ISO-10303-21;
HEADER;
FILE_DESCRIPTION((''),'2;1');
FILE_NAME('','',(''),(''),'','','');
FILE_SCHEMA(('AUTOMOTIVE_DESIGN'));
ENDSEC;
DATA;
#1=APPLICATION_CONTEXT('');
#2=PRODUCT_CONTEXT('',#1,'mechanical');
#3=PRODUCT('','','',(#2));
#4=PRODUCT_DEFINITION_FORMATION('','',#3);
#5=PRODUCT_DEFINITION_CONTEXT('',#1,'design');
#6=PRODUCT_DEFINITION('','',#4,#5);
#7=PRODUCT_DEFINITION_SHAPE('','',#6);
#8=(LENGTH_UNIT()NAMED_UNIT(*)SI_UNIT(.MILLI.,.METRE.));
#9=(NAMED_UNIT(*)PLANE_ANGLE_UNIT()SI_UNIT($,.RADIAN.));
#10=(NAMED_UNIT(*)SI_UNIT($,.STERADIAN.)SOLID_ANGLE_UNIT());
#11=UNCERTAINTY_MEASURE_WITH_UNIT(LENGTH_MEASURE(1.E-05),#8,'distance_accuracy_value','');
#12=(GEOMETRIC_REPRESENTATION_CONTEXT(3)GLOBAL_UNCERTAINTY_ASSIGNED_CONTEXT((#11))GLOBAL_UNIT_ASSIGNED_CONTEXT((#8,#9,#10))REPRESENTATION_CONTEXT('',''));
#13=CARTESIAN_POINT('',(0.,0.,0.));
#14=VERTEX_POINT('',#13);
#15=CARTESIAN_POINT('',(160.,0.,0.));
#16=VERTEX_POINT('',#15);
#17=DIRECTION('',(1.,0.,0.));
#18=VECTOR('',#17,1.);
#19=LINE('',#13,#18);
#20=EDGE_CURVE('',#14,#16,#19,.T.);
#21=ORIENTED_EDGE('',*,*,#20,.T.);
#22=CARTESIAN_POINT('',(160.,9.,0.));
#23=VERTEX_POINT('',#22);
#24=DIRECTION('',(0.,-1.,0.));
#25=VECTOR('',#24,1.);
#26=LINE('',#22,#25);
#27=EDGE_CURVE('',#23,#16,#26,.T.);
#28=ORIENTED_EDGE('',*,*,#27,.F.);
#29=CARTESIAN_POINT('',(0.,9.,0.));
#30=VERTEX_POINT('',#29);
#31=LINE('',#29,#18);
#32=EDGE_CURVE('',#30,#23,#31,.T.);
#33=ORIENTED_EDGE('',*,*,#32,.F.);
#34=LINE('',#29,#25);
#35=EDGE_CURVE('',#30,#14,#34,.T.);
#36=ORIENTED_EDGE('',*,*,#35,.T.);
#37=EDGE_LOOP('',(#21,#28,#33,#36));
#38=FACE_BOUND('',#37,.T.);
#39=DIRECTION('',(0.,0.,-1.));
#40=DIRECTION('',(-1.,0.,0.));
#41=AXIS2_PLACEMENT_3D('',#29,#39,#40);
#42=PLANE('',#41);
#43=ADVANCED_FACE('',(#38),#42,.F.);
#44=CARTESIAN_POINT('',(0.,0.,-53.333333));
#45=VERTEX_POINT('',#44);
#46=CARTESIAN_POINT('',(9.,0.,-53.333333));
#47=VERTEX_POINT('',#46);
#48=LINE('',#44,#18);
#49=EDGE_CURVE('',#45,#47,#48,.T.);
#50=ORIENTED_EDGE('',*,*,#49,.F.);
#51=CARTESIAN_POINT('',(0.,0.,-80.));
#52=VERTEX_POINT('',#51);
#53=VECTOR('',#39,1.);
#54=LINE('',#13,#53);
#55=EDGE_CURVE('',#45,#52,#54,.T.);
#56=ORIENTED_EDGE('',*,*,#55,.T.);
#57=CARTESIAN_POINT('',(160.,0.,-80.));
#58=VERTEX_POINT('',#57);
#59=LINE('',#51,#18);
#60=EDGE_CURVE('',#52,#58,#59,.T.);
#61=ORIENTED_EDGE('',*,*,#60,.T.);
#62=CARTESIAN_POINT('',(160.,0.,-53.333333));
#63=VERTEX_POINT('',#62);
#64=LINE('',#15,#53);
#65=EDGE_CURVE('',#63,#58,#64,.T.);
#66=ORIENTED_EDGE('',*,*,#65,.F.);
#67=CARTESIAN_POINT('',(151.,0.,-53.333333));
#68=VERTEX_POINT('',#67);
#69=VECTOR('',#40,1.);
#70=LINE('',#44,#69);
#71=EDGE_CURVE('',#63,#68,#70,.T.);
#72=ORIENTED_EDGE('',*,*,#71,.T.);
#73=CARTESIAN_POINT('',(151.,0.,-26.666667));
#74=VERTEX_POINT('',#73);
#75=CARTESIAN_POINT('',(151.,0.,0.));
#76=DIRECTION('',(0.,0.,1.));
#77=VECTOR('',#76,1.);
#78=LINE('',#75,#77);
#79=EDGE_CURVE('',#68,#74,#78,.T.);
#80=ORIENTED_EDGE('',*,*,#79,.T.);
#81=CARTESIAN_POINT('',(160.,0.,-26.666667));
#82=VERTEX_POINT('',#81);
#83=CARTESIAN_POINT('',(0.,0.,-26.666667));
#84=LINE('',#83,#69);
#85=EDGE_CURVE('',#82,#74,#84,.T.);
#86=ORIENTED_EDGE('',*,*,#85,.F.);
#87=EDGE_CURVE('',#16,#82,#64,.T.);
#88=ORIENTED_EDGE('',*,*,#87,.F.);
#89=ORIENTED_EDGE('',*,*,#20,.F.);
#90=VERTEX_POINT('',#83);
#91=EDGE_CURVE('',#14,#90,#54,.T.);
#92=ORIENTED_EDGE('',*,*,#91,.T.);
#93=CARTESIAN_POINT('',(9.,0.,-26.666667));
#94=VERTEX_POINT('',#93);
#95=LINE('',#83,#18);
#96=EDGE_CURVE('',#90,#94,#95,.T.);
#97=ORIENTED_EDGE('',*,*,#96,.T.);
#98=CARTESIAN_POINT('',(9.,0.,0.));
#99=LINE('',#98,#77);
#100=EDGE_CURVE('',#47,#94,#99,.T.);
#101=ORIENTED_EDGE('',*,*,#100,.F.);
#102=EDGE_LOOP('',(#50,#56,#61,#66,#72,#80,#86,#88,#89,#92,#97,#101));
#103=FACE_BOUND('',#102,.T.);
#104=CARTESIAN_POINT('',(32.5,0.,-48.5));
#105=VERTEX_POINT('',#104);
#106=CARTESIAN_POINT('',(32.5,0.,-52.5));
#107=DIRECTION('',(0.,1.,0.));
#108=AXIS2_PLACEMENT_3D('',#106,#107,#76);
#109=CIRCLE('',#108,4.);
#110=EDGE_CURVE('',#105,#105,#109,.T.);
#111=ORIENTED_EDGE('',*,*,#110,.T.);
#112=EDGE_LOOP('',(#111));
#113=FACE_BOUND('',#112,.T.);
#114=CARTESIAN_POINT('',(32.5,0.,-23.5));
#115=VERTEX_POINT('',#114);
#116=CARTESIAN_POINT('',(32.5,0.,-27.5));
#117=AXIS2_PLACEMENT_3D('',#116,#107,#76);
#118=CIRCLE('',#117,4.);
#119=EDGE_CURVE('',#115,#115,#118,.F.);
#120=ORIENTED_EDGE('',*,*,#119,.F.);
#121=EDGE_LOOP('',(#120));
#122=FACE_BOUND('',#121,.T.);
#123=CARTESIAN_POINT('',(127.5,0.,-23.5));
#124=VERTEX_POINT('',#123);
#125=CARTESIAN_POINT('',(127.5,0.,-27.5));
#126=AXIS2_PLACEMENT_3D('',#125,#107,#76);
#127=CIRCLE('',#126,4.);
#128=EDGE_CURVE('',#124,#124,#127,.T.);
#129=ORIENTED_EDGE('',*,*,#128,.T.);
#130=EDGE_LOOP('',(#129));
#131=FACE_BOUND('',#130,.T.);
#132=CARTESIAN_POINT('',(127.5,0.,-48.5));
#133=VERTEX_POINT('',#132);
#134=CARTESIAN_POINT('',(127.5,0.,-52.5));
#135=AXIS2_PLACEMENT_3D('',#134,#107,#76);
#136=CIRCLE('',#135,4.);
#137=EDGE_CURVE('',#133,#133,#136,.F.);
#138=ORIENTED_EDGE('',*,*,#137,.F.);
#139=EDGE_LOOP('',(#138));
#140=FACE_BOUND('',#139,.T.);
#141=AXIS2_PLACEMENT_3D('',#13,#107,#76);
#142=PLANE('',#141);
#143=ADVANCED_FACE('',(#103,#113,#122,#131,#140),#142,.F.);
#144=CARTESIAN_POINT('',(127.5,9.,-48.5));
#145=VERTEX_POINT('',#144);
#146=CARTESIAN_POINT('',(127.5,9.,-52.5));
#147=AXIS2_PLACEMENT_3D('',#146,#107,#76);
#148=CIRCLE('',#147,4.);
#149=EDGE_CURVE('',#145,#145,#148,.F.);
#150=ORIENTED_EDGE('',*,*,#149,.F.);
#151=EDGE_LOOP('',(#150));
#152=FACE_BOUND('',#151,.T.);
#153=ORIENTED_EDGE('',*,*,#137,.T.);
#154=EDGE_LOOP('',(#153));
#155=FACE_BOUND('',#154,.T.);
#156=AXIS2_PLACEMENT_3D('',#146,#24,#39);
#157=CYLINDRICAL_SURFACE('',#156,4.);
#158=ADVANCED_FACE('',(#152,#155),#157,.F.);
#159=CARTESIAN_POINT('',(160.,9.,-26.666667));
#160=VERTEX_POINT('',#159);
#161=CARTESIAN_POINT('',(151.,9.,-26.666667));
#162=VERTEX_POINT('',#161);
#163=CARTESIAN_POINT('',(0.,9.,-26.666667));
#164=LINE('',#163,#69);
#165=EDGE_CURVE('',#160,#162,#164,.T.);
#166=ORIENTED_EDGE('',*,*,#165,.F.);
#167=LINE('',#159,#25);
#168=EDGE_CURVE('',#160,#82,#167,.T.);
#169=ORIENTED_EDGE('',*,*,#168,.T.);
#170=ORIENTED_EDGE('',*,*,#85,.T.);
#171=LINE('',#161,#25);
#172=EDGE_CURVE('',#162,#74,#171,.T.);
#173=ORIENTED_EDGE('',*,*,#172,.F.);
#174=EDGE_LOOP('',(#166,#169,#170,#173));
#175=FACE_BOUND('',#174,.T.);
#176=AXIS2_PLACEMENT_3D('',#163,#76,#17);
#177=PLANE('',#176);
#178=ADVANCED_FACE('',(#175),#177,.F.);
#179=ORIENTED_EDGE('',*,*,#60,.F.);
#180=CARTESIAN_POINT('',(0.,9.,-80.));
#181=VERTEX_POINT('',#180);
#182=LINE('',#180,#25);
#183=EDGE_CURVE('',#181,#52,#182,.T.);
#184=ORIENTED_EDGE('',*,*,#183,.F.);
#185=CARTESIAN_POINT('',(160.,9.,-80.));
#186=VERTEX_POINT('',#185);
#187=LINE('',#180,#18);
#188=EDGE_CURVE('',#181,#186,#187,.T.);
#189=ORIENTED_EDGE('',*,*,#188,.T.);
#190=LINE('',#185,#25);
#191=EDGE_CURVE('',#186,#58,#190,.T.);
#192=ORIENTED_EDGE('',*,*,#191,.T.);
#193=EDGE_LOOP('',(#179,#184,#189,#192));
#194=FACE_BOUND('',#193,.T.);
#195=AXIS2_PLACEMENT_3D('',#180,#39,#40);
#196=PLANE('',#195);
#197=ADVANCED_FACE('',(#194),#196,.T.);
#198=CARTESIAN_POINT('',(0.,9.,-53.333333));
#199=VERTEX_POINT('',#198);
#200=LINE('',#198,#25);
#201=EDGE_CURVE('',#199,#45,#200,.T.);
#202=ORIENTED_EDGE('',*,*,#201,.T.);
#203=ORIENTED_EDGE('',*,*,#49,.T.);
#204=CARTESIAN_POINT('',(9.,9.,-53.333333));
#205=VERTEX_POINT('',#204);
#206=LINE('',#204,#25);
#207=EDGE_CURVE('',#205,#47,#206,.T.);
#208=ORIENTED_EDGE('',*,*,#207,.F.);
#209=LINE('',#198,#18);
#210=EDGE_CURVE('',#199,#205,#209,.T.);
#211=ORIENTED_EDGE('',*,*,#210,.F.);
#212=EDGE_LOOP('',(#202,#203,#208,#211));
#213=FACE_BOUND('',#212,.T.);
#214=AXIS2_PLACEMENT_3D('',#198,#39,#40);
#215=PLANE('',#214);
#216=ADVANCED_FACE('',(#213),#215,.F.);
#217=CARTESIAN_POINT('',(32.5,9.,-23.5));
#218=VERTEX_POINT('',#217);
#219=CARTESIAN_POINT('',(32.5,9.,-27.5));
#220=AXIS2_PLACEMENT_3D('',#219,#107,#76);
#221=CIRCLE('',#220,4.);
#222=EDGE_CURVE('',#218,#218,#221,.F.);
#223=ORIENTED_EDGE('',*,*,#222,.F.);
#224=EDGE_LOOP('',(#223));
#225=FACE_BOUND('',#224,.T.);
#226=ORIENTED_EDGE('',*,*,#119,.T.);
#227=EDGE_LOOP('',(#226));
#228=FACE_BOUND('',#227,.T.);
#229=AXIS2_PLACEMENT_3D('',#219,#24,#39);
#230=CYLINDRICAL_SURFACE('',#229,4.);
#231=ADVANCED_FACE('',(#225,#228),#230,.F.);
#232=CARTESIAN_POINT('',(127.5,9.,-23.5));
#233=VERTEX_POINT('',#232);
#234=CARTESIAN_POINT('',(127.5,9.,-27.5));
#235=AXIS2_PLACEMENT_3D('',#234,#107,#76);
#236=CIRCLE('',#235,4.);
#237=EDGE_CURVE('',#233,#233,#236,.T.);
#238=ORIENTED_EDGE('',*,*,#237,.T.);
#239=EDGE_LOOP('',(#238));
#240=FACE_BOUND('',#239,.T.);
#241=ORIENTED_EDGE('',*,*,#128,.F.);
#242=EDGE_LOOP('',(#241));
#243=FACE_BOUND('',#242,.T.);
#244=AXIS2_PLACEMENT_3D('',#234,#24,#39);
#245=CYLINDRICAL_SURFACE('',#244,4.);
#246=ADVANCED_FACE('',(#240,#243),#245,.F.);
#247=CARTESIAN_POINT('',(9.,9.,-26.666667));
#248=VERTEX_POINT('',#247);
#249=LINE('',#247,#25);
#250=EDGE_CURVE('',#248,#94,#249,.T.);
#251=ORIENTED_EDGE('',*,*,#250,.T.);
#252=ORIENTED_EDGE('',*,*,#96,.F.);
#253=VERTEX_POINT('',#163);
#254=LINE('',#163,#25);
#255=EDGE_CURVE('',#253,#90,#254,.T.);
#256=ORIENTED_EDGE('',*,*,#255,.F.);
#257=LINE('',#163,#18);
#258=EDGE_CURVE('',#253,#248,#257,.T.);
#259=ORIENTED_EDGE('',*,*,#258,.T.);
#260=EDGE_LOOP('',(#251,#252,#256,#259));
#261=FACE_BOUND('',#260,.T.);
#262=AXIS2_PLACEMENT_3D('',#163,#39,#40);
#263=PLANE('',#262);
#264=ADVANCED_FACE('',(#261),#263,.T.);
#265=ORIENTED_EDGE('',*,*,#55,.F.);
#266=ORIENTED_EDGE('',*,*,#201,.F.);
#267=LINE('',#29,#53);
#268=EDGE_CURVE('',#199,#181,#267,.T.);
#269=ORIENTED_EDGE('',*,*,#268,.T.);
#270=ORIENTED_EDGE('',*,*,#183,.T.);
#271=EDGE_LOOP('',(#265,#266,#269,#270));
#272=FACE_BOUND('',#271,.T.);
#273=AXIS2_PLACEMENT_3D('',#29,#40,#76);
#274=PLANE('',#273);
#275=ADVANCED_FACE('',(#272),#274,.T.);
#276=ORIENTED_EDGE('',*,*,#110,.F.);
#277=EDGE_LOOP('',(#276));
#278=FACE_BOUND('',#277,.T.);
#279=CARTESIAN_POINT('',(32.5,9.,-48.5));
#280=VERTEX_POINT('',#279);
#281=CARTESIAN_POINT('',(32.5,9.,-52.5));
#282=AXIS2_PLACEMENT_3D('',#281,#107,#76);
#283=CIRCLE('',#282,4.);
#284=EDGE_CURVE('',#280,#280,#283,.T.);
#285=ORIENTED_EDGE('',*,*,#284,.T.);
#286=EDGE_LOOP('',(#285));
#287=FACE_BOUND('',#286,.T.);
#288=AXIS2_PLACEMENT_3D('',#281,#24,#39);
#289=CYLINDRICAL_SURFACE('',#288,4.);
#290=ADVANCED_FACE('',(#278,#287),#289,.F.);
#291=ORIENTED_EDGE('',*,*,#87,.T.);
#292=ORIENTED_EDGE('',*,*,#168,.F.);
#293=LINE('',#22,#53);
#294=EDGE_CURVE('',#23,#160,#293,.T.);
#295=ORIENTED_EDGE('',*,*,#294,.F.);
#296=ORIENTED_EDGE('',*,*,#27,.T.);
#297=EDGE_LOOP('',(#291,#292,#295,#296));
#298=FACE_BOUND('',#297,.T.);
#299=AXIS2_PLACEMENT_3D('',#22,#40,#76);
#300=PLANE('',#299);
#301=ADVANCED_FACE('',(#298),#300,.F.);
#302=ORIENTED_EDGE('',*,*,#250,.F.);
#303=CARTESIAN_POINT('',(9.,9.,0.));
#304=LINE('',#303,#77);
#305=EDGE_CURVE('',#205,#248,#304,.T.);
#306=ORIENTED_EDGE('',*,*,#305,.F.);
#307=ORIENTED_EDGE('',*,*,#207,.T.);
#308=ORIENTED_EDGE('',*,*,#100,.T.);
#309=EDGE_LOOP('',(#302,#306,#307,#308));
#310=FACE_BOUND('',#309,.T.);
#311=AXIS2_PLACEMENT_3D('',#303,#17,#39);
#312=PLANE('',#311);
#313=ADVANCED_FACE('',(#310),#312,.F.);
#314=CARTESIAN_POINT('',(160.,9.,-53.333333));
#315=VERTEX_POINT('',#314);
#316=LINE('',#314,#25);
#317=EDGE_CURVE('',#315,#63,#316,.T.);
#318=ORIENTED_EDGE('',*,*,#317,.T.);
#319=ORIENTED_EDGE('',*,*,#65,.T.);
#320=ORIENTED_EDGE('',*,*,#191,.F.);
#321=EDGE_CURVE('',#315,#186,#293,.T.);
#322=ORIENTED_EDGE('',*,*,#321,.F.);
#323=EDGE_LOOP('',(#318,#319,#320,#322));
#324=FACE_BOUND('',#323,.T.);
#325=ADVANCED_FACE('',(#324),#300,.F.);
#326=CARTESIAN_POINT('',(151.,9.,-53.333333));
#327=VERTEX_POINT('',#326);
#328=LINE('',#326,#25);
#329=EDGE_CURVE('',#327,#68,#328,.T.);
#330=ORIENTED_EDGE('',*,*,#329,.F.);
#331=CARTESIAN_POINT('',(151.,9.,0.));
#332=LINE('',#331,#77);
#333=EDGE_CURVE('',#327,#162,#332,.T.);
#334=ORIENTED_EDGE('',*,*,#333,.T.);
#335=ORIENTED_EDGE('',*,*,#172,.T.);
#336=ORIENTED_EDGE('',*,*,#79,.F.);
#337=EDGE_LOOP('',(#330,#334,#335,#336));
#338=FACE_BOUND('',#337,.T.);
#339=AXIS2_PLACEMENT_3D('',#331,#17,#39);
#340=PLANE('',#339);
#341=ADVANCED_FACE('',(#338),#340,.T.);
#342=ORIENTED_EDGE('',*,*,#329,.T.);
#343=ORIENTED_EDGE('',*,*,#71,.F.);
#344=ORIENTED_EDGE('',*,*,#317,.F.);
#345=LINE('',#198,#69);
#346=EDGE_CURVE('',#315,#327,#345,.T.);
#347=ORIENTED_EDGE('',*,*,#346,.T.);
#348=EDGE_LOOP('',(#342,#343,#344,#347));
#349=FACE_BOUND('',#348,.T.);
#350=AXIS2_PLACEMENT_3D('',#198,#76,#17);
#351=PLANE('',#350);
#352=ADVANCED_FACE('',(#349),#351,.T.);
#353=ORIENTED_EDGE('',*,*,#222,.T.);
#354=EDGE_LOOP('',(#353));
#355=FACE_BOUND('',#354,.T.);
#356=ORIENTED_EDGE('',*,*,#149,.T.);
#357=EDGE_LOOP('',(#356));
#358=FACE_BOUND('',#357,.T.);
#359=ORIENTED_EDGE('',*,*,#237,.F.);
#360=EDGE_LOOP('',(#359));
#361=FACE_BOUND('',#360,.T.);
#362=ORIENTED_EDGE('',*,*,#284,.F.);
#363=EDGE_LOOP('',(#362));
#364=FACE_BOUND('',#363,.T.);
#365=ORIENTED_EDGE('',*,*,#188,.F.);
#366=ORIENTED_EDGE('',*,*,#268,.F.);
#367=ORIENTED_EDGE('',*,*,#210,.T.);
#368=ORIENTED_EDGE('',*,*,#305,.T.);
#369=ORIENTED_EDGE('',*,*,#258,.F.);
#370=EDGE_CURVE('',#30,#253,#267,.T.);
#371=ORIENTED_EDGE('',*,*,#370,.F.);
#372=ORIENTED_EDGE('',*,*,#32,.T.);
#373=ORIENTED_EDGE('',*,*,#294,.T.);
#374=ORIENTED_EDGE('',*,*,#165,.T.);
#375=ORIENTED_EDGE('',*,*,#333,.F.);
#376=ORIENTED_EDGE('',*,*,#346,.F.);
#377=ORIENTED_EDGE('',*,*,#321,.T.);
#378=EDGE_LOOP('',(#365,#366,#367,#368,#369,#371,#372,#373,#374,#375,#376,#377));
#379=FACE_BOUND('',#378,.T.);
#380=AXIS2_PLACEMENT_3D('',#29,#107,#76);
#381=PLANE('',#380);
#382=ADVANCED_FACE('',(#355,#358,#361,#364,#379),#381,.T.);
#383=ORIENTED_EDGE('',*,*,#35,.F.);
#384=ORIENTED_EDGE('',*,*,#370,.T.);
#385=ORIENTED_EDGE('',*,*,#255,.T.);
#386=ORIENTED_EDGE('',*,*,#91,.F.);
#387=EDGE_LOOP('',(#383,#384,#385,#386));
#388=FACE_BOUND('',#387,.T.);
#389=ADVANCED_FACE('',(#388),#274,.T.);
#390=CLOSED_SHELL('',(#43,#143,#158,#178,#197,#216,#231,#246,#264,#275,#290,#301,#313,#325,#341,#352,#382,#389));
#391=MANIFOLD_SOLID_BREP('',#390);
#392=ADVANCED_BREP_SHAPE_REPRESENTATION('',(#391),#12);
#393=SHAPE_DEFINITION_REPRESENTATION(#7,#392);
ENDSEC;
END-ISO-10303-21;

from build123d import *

# Parameters (mm, degrees)
SKETCH1_R           = 4
BOSS_EXTRUDE1_DEPTH = 9


with BuildPart() as part:
    # Sketch1 → Boss-Extrude1 (new body)
    with BuildSketch(Plane(origin=(0, 0, 0), x_dir=(1, 0, 0), z_dir=(0, 1, 0))):
        Polygon((0, 26.666666667), (0, 0), (160, 0), (160, 26.666666667), (151, 26.666666667), (151, 53.333333333), (160, 53.333333333), (160, 80), (0, 80), (0, 53.333333333), (9, 53.333333333), (9, 26.666666667), align=None)
        with Locations(Location((127.5, 52.5, 0), (0, 0, 270))):
            Circle(SKETCH1_R, mode=Mode.SUBTRACT)
        with Locations(Location((32.5, 27.5, 0), (0, 0, 270))):
            Circle(SKETCH1_R, mode=Mode.SUBTRACT)
        with Locations(Location((127.5, 27.5, 0), (0, 0, 270))):
            Circle(SKETCH1_R, mode=Mode.SUBTRACT)
        with Locations(Location((32.5, 52.5, 0), (0, 0, 270))):
            Circle(SKETCH1_R, mode=Mode.SUBTRACT)
    extrude(amount=BOSS_EXTRUDE1_DEPTH)


solid = part.part
